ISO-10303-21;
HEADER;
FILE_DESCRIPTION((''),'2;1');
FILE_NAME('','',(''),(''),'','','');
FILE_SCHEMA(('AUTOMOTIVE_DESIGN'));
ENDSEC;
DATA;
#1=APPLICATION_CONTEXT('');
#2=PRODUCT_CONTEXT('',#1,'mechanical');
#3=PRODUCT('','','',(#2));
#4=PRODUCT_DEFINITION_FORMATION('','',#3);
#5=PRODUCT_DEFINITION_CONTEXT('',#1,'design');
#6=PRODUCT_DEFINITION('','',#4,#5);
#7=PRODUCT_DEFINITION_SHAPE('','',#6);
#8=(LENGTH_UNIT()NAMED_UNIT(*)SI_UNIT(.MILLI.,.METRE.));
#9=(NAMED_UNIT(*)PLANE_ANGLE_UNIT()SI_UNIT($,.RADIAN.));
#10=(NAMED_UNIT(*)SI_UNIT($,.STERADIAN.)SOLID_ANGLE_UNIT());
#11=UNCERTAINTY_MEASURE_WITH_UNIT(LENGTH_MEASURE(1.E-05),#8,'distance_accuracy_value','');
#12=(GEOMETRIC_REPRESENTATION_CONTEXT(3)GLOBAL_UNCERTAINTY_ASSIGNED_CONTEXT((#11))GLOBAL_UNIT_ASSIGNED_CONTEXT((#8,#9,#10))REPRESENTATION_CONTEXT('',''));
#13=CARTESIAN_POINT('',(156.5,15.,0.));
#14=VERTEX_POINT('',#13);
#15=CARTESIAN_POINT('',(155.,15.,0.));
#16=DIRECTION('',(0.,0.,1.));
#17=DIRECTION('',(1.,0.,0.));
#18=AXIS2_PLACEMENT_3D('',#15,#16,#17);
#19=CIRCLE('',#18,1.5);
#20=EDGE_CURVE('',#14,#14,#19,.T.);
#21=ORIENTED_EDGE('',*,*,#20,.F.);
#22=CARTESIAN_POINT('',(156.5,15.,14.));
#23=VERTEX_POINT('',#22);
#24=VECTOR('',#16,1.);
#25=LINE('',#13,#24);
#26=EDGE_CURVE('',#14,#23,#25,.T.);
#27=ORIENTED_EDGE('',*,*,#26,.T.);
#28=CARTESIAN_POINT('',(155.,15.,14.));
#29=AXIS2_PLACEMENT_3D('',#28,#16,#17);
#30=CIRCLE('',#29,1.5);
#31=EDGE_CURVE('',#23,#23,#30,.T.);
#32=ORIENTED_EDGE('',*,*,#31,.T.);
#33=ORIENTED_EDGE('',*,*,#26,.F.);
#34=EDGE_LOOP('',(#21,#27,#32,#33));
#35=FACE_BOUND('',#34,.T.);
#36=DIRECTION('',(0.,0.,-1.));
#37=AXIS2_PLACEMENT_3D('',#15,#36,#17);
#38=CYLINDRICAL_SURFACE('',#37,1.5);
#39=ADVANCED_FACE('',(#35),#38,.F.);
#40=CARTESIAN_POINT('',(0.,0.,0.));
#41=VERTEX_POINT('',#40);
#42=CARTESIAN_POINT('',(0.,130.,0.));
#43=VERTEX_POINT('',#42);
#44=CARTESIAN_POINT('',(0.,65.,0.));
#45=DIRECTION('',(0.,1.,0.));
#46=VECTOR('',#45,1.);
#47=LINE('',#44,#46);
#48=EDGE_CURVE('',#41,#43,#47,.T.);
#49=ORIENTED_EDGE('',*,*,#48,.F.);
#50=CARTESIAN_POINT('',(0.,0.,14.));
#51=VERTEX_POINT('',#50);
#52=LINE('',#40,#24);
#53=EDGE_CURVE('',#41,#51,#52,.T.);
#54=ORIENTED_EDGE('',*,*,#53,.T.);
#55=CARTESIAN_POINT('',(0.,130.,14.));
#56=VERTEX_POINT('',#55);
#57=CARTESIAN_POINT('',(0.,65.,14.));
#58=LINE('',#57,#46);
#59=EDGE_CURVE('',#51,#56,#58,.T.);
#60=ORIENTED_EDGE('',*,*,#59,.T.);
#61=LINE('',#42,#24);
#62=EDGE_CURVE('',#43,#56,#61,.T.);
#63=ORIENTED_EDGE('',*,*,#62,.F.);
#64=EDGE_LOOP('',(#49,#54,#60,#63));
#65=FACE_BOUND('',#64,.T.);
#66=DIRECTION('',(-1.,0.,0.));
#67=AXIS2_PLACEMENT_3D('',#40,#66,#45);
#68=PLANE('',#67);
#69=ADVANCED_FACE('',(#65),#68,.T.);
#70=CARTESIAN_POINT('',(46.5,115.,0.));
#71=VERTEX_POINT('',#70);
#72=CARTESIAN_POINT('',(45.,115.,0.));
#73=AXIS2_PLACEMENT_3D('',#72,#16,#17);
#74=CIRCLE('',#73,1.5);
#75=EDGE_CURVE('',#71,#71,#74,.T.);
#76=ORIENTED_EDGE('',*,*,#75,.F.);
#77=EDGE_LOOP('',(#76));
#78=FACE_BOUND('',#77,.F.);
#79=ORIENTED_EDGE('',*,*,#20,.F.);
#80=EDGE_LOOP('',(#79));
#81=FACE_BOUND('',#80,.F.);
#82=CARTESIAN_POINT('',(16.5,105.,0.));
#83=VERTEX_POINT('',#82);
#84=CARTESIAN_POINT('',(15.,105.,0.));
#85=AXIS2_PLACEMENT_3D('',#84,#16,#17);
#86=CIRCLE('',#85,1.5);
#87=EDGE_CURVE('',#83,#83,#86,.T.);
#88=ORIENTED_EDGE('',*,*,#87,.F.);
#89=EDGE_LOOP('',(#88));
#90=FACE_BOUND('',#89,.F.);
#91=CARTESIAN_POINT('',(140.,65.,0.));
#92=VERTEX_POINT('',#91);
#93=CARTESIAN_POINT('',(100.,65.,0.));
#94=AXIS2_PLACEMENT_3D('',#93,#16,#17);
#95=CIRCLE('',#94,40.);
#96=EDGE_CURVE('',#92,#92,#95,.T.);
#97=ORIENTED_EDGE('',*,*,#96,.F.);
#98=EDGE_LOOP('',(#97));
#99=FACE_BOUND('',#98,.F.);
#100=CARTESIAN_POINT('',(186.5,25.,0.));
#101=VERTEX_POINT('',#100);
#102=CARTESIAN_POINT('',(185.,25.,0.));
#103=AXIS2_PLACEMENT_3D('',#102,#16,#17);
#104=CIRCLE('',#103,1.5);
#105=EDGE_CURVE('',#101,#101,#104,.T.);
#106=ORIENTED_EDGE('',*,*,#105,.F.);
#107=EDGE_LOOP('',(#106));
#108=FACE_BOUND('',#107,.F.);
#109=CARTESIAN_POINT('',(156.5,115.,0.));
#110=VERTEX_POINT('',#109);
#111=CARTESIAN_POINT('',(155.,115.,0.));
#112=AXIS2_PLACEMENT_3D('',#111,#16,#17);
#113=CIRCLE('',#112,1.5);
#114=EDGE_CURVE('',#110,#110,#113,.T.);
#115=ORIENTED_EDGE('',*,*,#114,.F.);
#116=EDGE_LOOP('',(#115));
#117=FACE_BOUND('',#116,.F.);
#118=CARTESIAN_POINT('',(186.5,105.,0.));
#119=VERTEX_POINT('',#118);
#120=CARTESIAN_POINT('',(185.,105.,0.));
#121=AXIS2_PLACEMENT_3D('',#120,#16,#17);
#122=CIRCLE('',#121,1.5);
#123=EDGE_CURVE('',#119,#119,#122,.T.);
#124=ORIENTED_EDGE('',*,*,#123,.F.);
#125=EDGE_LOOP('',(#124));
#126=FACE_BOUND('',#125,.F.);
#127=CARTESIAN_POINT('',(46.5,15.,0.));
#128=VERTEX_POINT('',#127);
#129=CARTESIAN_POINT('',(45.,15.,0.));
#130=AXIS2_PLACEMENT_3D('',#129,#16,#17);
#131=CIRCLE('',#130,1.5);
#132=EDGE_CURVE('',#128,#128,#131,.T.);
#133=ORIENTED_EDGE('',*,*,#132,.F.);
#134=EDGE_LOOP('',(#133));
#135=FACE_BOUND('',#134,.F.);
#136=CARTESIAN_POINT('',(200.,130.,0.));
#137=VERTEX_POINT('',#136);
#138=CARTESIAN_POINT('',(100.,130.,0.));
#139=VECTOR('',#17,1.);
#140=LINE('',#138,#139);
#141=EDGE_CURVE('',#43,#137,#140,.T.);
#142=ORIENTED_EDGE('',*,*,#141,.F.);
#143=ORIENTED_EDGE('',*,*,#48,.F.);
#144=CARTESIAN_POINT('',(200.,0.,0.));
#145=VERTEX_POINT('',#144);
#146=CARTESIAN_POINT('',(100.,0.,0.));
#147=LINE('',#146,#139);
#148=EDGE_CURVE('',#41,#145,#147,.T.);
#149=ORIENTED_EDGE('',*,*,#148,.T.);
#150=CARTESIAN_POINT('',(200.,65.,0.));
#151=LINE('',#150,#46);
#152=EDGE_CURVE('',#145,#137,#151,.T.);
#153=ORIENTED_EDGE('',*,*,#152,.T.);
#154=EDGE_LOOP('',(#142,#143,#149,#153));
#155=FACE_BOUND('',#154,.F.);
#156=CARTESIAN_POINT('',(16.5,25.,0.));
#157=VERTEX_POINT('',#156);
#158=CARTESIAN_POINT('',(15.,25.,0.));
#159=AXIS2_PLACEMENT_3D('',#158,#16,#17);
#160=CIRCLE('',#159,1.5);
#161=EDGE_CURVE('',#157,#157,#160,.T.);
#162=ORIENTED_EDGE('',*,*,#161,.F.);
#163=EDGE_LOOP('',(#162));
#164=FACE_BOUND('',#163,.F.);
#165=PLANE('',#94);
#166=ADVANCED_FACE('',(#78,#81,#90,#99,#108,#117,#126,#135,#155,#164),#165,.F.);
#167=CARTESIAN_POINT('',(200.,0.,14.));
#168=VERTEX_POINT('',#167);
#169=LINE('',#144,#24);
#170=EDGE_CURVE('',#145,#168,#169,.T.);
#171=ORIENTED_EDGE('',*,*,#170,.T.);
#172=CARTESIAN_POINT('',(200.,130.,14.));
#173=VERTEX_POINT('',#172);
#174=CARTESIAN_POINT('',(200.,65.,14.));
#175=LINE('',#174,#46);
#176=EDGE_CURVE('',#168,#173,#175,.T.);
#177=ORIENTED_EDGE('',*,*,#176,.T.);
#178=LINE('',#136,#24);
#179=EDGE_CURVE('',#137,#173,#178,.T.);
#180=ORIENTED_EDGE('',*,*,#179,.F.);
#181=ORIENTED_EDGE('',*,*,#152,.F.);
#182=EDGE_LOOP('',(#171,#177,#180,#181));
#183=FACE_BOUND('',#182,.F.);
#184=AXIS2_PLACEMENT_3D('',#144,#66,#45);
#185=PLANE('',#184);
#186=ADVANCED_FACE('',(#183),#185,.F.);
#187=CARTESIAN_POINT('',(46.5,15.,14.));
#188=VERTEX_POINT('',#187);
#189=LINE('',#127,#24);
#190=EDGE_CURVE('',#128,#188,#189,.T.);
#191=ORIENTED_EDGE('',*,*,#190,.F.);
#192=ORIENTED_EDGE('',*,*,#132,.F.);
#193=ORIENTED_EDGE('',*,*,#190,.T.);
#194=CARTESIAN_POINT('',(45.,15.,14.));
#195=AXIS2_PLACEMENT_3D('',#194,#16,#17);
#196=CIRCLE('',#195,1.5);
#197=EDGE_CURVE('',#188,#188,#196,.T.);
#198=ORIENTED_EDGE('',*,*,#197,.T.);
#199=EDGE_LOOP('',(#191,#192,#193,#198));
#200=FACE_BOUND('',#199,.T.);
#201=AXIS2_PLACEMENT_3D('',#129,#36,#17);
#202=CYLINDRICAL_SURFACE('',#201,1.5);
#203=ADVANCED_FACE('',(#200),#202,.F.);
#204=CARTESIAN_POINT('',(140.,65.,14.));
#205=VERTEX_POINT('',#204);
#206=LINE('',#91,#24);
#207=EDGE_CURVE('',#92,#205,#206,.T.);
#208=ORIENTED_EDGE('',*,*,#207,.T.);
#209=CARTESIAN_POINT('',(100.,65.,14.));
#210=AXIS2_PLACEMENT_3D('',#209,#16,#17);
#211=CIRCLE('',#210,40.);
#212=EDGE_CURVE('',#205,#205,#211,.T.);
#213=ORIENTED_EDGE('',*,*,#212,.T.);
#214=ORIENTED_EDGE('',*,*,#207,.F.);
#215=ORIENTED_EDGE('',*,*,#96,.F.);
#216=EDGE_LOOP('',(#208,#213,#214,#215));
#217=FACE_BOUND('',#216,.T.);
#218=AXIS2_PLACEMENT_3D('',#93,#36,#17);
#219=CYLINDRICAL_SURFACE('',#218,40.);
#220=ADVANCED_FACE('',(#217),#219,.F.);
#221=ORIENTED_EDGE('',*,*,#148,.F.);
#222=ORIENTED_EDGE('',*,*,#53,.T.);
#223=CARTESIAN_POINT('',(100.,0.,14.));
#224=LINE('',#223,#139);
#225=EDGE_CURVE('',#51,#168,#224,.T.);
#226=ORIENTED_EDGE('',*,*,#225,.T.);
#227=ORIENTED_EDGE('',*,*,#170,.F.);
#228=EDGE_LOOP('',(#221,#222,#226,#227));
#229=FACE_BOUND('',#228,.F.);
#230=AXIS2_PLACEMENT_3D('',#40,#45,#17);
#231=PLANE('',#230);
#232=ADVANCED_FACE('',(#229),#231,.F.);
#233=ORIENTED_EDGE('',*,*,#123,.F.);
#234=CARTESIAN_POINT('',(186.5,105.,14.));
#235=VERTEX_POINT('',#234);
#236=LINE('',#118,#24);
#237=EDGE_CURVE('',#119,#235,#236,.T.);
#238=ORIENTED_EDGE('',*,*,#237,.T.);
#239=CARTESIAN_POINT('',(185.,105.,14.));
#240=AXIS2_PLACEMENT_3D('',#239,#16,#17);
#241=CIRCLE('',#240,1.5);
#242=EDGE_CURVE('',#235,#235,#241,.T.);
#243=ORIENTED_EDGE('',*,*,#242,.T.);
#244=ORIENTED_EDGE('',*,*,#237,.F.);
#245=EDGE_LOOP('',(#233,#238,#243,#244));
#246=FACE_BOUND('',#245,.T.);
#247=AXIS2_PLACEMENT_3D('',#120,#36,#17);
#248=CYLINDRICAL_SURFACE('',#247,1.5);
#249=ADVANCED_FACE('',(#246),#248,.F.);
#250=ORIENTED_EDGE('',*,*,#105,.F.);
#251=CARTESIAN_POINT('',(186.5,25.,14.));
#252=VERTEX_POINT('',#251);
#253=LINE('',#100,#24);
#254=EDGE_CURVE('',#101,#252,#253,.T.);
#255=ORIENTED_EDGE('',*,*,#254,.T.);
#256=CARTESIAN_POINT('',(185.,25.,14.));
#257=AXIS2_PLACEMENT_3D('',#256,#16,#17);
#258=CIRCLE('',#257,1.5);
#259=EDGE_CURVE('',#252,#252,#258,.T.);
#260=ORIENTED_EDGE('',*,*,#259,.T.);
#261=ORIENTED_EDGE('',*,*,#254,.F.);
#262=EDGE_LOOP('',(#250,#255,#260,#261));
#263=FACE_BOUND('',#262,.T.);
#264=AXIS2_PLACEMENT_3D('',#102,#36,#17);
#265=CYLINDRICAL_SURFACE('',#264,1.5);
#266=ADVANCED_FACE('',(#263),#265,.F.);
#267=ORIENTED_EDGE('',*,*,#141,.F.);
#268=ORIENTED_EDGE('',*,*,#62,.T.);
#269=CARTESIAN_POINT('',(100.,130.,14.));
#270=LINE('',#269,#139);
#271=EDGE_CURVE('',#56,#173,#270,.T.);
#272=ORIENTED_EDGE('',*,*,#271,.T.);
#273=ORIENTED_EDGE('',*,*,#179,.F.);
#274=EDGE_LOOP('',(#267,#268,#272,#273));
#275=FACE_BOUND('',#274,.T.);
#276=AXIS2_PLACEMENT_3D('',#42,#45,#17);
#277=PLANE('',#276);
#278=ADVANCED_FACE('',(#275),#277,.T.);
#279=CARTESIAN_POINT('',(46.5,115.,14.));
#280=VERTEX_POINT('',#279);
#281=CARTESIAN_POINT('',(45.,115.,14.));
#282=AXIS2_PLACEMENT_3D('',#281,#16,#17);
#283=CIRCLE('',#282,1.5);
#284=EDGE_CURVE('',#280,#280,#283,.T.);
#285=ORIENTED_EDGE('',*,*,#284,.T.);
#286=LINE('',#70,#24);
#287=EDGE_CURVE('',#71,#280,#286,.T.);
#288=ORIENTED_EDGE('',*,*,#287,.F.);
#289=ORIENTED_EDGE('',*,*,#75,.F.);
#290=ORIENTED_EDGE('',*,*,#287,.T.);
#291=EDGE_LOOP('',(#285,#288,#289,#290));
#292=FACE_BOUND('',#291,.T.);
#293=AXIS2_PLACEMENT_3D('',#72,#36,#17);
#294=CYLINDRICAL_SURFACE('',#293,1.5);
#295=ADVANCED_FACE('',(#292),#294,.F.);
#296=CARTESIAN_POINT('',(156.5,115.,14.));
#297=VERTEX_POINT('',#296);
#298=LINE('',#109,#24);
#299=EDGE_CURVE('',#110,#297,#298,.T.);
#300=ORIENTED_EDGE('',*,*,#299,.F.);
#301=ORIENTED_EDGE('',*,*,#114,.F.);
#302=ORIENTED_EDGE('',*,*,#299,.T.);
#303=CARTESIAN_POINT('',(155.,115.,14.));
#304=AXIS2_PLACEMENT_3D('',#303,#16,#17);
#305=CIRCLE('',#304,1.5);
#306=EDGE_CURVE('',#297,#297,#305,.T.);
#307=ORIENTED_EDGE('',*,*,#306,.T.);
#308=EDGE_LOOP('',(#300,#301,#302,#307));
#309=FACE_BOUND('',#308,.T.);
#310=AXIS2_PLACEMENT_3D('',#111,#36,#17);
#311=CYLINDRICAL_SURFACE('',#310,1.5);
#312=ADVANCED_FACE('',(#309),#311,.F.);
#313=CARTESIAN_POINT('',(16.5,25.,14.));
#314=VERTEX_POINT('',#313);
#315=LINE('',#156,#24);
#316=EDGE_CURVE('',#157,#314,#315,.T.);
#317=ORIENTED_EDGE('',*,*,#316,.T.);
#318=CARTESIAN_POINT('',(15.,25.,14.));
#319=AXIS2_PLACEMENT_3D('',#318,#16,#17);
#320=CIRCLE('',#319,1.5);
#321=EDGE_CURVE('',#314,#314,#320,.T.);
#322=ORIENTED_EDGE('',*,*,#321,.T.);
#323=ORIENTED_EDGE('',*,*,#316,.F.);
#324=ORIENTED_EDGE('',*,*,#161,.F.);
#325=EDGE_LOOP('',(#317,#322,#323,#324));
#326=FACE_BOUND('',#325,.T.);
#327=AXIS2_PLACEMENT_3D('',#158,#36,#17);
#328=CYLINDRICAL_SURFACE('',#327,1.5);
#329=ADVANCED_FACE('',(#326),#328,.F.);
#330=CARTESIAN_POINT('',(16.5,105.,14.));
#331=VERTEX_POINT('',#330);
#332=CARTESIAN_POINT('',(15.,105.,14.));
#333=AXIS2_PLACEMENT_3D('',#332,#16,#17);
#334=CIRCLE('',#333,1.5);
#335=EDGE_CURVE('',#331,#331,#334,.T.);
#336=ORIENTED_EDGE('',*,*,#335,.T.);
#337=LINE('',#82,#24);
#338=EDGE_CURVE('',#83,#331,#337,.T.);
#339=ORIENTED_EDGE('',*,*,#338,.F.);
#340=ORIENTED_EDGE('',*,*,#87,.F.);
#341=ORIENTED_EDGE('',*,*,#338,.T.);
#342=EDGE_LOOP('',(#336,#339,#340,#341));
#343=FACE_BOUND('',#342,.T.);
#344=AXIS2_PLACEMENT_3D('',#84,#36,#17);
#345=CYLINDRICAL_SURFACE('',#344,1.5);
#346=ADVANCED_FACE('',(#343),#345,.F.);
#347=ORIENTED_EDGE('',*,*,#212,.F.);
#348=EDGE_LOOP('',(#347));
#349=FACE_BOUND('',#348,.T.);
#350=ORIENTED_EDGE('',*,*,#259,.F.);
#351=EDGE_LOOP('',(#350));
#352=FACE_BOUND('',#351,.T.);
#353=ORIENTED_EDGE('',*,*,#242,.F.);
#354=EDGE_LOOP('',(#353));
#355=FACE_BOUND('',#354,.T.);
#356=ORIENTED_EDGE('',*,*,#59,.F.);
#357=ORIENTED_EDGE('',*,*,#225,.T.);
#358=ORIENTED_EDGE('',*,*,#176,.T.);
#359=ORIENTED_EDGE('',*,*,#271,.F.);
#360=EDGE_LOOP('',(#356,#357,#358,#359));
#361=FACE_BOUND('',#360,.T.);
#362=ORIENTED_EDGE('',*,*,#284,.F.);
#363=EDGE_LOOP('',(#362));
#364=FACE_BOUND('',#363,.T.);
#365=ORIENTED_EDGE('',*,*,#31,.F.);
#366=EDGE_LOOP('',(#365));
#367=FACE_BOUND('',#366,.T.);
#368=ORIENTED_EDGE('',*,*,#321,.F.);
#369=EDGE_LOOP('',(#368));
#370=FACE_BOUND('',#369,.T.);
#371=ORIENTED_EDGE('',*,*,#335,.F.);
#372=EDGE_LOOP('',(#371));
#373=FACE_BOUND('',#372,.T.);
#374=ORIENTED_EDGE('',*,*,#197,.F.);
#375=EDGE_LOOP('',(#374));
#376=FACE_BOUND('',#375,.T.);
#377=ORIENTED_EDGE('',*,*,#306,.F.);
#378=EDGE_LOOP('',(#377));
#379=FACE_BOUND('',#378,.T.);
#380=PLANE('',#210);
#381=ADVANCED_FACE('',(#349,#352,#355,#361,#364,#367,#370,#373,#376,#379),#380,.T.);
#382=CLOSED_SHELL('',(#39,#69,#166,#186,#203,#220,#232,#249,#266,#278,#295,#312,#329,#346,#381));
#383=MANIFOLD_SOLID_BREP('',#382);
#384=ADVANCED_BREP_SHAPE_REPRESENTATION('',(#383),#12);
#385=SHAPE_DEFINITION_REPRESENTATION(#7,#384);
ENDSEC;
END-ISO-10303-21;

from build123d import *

# Parameters (mm, degrees)
SKETCH_W   = 200
SKETCH_H   = 130
SKETCH_R   = 40
SKETCH_R_2 = 1.5
PAD_DEPTH  = 14


with BuildPart() as part:
    # Sketch → Pad (new body)
    with BuildSketch(Plane.XY):
        with Locations((100, 65)):
            Rectangle(SKETCH_W, SKETCH_H)
        with Locations((100, 65)):
            Circle(SKETCH_R, mode=Mode.SUBTRACT)
        with Locations((45, 115)):
            Circle(SKETCH_R_2, mode=Mode.SUBTRACT)
        with Locations((45, 15)):
            Circle(SKETCH_R_2, mode=Mode.SUBTRACT)
        with Locations((155, 115)):
            Circle(SKETCH_R_2, mode=Mode.SUBTRACT)
        with Locations((155, 15)):
            Circle(SKETCH_R_2, mode=Mode.SUBTRACT)
        with Locations((15, 105)):
            Circle(SKETCH_R_2, mode=Mode.SUBTRACT)
        with Locations((15, 25)):
            Circle(SKETCH_R_2, mode=Mode.SUBTRACT)
        with Locations((185, 105)):
            Circle(SKETCH_R_2, mode=Mode.SUBTRACT)
        with Locations((185, 25)):
            Circle(SKETCH_R_2, mode=Mode.SUBTRACT)
    extrude(amount=PAD_DEPTH)


solid = part.part
